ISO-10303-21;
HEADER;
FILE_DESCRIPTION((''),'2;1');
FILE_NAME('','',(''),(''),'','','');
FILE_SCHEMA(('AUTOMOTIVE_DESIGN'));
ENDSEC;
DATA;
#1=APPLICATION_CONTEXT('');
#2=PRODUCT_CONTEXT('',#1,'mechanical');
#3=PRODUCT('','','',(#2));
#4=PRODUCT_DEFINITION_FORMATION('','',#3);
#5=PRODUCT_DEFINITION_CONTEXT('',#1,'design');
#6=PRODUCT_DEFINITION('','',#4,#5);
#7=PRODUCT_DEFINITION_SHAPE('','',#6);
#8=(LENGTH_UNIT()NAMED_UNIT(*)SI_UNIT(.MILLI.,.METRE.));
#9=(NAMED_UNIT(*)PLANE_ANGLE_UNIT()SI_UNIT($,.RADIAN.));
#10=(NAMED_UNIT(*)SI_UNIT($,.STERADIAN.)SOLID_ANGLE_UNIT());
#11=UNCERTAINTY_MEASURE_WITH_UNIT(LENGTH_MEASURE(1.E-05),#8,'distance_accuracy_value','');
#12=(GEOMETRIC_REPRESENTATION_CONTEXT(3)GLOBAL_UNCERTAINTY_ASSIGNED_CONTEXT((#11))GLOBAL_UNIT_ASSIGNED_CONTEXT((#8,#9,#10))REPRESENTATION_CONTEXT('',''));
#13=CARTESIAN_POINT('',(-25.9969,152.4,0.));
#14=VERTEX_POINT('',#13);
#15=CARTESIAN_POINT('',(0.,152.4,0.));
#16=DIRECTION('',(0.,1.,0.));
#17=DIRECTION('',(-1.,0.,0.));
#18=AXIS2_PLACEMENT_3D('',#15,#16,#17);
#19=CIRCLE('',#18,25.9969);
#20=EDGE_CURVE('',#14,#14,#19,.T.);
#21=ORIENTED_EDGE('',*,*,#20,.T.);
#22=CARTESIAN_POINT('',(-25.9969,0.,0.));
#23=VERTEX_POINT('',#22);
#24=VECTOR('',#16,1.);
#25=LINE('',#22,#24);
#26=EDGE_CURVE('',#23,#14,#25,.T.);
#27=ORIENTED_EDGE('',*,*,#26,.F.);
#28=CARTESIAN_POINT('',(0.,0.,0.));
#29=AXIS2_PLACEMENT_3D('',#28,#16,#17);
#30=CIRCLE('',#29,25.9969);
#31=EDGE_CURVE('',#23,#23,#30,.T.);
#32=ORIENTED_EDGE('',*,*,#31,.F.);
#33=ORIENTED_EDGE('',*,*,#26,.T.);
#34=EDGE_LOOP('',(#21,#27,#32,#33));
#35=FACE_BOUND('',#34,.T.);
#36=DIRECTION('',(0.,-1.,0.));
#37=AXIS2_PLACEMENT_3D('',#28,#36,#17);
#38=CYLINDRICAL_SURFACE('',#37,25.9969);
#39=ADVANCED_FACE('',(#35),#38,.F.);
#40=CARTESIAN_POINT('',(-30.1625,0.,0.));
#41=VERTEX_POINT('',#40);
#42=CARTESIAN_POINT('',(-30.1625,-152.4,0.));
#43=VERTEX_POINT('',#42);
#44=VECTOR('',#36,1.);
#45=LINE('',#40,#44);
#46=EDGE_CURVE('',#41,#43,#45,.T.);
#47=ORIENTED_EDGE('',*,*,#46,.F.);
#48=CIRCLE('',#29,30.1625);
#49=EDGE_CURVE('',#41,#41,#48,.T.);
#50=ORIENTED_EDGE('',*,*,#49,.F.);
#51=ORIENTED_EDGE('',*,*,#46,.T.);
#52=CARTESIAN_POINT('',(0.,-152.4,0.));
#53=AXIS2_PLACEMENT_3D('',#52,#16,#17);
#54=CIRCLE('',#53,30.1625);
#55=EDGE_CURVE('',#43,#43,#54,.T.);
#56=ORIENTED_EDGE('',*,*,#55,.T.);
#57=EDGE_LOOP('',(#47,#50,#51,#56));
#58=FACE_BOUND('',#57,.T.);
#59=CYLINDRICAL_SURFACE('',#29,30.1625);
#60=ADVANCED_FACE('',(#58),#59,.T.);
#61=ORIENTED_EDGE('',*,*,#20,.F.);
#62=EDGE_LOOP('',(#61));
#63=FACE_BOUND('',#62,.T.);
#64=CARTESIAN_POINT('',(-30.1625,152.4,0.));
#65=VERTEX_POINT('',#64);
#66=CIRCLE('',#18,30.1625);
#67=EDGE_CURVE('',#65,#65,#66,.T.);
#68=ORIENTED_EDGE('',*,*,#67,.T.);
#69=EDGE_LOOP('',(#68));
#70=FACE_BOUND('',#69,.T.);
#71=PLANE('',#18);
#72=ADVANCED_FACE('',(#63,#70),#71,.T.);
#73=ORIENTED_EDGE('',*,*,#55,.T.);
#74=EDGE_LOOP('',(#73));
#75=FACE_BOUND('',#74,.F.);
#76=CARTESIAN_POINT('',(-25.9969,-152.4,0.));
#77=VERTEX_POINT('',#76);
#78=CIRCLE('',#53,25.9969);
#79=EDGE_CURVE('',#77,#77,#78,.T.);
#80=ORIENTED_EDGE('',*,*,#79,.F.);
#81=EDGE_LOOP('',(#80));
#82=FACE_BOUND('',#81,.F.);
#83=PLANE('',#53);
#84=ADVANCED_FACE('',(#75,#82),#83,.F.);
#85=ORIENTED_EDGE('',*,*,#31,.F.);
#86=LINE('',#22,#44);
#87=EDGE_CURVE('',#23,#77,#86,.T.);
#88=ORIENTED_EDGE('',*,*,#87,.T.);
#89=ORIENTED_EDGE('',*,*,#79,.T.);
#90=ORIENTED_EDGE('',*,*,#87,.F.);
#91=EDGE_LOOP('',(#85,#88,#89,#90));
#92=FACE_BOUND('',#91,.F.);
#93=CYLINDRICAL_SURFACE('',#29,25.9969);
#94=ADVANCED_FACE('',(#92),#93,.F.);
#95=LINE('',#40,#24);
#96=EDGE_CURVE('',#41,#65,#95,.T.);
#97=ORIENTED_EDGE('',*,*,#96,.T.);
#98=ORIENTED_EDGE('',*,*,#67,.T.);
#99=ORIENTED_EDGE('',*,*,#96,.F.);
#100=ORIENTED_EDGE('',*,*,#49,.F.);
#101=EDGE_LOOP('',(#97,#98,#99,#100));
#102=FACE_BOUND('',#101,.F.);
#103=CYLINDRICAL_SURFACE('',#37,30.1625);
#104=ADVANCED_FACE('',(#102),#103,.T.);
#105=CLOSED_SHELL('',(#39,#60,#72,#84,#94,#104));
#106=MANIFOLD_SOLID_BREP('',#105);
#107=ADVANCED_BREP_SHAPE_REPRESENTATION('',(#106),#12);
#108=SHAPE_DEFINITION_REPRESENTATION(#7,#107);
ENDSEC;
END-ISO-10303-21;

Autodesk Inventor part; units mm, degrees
ref_plane "YZ Plane" through (0, 0, 0) normal (1, 0, 0) x (0, 1, 0)
ref_plane "XZ Plane" through (0, 0, 0) normal (0, 1, 0) x (-1, 0, 0)
ref_plane "XY Plane" through (0, 0, 0) normal (0, 0, 1) x (1, 0, 0)
sketch "Sketch1" plane through (0, 0, 0) normal (0, 1, 0) x (-1, 0, 0)
  circle A0 centre (0, 0) radius 30.1625
  circle A1 centre (0, 0) radius 25.9969
  dimension "d0" = 60.325
  dimension "d1" = 51.9938
extrude "Extrusion1" add sketch "Sketch1" along normal mid plane 304.8
properties part number "railSeperator" material "ABS Plastic"
